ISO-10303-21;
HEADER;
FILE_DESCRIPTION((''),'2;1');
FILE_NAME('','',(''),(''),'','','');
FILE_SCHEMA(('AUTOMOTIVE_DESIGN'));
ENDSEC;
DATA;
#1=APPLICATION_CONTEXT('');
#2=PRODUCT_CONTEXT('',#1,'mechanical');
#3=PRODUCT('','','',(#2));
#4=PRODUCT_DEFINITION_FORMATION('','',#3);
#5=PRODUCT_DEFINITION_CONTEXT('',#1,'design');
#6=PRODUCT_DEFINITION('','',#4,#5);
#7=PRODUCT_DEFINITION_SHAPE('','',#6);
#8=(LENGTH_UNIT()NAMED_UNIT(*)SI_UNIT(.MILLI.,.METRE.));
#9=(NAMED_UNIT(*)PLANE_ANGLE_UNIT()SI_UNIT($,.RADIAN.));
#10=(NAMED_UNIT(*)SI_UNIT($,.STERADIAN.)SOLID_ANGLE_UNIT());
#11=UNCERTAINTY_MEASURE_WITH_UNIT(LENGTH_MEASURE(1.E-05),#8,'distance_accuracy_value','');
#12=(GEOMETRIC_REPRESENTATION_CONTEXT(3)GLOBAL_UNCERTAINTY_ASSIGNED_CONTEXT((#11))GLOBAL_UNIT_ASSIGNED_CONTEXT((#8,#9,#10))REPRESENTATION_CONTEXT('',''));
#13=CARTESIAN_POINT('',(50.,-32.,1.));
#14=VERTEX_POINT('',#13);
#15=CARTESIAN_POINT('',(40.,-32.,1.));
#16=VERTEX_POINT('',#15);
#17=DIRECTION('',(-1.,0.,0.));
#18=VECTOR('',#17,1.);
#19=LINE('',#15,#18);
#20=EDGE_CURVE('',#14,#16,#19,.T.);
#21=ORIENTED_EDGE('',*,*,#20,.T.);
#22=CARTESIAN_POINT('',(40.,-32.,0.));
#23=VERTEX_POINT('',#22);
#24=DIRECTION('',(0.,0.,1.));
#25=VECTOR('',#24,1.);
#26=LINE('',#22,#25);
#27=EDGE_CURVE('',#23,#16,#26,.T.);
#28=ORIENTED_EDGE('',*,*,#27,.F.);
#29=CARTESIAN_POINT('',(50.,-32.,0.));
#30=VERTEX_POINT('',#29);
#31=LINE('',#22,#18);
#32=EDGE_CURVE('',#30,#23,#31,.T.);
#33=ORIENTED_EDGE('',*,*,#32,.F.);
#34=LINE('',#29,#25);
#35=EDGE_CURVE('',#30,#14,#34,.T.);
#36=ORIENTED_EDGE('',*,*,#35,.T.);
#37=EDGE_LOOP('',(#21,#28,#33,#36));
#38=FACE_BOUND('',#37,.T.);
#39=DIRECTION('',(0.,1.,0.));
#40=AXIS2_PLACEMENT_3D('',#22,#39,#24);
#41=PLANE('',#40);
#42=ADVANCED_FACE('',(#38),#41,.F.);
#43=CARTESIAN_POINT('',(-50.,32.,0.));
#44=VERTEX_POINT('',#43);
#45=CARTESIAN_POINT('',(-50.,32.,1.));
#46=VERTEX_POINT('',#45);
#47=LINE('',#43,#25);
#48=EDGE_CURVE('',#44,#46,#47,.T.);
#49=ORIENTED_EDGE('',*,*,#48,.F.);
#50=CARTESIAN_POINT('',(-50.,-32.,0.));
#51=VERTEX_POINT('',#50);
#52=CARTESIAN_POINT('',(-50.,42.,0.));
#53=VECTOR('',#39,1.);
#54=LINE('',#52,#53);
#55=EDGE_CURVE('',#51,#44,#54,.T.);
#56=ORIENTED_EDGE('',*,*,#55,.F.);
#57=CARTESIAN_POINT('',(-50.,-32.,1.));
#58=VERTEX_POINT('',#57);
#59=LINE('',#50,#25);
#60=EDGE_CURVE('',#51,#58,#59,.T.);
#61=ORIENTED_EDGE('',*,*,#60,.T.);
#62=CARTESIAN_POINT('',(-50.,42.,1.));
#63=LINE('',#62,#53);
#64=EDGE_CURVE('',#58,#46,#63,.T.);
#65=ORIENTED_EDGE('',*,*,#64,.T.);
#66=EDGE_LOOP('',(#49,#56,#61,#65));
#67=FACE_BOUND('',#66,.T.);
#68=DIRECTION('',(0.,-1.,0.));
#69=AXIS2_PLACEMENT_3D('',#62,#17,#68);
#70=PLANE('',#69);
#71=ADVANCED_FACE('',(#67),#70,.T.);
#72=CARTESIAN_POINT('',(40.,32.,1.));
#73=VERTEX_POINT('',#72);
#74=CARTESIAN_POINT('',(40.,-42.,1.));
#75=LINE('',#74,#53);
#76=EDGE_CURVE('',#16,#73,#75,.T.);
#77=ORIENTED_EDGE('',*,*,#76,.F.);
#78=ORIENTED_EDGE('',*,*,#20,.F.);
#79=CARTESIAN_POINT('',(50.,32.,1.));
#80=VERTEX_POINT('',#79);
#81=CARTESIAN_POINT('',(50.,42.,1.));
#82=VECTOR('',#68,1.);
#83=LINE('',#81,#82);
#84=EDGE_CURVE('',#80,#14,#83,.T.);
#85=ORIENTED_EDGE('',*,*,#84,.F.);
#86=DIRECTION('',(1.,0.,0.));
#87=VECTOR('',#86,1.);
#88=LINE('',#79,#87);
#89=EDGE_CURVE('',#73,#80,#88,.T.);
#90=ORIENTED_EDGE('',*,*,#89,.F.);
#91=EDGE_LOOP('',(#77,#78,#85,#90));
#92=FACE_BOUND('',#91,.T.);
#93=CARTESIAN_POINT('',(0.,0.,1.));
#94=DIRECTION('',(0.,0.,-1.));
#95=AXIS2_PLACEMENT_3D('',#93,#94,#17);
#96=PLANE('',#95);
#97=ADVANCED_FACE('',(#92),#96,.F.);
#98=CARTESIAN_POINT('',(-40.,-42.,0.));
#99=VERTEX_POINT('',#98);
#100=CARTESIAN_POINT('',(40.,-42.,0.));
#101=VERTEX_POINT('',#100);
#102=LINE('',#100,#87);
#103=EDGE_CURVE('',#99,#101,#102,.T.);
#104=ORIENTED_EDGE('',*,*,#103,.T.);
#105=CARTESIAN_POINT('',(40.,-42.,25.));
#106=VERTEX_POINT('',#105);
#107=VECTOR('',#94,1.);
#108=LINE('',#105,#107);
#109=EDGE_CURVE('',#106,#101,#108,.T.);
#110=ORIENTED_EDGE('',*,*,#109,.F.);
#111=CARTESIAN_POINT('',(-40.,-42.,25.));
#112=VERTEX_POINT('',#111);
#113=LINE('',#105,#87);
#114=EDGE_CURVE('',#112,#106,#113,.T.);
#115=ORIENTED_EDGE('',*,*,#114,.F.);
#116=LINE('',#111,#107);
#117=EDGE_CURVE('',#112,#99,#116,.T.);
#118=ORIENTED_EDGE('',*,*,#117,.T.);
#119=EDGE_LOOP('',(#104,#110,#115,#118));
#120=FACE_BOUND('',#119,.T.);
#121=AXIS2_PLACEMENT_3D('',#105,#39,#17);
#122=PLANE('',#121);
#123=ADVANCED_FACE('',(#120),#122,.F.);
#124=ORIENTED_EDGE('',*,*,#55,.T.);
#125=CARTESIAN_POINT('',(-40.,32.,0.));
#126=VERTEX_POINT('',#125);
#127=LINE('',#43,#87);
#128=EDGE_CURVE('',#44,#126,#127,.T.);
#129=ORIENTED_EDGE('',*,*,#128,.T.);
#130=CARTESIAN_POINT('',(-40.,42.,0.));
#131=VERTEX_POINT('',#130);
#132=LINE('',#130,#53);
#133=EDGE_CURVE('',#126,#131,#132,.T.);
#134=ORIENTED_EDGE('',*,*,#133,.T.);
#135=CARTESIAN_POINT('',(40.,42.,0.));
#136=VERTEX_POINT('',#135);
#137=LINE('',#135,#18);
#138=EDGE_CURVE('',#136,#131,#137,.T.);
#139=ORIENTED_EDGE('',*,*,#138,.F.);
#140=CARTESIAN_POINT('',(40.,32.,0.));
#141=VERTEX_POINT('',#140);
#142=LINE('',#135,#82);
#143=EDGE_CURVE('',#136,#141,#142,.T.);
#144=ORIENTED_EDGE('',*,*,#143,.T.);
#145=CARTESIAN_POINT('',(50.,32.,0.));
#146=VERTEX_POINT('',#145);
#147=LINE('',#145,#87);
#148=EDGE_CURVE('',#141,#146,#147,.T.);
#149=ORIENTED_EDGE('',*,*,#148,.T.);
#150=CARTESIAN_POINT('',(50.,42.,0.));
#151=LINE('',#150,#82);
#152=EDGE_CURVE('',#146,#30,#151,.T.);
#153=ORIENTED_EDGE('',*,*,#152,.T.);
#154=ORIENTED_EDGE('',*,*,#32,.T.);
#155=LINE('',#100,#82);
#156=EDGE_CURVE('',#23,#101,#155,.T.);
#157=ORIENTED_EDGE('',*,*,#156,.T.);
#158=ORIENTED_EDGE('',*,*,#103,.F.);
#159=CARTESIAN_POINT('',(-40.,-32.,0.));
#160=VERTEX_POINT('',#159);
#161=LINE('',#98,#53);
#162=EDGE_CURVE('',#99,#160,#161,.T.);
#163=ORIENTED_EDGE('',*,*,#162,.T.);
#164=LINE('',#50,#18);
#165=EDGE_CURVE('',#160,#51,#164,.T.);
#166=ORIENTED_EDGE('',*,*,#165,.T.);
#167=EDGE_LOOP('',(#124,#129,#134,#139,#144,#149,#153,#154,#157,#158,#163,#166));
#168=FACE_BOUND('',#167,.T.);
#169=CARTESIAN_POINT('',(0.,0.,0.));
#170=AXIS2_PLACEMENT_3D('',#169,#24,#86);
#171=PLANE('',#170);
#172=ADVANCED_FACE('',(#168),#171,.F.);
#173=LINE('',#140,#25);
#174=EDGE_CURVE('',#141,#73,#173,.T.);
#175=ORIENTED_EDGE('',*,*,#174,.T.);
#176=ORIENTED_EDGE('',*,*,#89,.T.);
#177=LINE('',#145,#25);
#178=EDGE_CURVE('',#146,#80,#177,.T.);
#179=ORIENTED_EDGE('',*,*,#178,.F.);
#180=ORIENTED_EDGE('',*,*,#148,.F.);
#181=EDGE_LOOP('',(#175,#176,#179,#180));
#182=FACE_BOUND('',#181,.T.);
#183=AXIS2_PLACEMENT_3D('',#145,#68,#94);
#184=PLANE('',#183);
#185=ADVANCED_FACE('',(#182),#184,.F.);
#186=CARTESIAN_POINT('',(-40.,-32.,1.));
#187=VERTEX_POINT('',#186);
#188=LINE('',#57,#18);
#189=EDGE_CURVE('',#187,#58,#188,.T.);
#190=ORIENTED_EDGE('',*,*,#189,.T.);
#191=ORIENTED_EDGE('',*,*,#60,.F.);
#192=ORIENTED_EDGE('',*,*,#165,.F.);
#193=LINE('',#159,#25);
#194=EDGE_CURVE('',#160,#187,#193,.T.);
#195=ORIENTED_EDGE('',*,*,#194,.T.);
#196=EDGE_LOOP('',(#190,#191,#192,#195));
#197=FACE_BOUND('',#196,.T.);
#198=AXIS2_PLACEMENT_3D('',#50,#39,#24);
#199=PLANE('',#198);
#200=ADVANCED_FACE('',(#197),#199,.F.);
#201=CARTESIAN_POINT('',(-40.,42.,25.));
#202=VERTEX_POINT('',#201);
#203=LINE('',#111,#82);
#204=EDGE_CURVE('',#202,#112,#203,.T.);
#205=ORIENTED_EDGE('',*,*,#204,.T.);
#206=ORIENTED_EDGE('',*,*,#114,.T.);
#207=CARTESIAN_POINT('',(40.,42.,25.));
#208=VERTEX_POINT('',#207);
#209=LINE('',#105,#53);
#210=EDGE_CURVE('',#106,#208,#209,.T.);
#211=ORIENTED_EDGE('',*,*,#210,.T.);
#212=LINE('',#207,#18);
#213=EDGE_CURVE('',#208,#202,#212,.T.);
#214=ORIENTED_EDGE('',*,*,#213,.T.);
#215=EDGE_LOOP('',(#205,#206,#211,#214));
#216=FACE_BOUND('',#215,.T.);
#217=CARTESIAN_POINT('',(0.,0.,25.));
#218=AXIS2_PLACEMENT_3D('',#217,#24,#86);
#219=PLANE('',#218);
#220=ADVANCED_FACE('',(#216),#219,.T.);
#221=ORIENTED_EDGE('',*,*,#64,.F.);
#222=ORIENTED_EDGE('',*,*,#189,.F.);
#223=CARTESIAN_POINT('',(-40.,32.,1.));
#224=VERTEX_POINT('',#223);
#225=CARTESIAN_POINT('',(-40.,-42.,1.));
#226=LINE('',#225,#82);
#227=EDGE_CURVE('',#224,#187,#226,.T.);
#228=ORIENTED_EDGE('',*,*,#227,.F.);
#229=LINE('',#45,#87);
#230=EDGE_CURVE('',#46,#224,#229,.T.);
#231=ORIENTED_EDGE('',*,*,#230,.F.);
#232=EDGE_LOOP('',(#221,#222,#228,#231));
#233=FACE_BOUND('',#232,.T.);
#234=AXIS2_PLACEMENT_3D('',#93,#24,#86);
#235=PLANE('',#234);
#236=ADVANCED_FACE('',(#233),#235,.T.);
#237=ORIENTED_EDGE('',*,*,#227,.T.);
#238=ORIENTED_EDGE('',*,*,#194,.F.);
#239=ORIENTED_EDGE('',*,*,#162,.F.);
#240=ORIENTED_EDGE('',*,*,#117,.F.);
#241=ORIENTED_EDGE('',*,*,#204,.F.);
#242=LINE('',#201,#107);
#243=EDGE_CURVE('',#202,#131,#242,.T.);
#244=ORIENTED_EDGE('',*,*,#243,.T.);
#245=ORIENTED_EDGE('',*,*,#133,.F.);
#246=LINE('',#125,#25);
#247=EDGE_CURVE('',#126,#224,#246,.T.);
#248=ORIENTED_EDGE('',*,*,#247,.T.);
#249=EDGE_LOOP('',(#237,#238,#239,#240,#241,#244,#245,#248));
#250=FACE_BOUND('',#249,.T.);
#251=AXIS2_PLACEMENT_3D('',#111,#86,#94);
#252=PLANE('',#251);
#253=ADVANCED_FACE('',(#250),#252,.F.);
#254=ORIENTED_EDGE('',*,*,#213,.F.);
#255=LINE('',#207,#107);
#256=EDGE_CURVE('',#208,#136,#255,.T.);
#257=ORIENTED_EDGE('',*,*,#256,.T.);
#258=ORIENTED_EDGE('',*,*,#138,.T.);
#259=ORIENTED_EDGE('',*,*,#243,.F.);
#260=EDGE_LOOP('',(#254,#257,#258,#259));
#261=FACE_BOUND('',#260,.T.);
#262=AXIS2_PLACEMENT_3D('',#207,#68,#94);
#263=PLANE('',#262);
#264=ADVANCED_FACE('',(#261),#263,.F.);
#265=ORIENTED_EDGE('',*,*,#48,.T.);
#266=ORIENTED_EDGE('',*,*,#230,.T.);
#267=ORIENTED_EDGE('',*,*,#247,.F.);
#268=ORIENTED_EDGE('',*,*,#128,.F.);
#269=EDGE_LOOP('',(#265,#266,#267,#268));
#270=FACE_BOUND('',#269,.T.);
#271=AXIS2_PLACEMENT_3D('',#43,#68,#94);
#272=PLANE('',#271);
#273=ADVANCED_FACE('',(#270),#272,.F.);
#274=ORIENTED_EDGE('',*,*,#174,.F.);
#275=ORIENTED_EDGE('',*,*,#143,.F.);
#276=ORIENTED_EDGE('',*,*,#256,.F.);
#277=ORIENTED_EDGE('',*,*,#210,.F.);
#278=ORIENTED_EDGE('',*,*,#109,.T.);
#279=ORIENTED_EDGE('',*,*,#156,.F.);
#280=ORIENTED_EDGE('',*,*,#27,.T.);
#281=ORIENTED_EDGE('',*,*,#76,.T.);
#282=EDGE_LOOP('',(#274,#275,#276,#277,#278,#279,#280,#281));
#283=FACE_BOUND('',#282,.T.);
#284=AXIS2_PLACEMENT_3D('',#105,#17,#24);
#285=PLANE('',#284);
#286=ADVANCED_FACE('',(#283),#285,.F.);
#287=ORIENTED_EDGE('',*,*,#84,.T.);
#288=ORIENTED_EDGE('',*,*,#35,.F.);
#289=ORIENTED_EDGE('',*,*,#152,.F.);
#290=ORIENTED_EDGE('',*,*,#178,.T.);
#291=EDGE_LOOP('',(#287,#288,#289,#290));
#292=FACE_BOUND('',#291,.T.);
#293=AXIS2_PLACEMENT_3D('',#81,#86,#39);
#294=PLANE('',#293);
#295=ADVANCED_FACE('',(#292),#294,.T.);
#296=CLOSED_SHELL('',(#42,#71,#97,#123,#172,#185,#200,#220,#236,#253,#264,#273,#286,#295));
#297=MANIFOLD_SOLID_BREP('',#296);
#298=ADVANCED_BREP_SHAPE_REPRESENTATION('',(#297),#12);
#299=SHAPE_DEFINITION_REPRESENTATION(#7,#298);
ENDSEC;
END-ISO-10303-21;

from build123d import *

# Parameters (mm, degrees)
CROQUIS1_W              = 80
CROQUIS1_H              = 84
SALIENTE_EXTRUIR1_DEPTH = 25
CROQUIS4_W              = 10
CROQUIS4_H              = 84
SALIENTE_EXTRUIR3_DEPTH = 1
CROQUIS11_W             = 10
CROQUIS11_H             = 10
CORTAR_EXTRUIR1_DEPTH   = 1
CROQUIS8_W              = 10
CROQUIS8_H              = 10
CORTAR_EXTRUIR2_DEPTH   = 1


with BuildPart() as part:
    # Croquis1 → Saliente-Extruir1 (new body)
    with BuildSketch(Plane.XY):
        Rectangle(CROQUIS1_W, CROQUIS1_H)
    extrude(amount=SALIENTE_EXTRUIR1_DEPTH)

    # Croquis4 → Saliente-Extruir3 (add)
    with BuildSketch(Plane(origin=(0, 0, 0), x_dir=(-1, 0, 0), z_dir=(0, 0, -1))):
        with Locations((-45, 0)):
            Rectangle(CROQUIS4_W, CROQUIS4_H)
        with Locations((45, 0)):
            Rectangle(CROQUIS4_W, CROQUIS4_H)
    extrude(amount=-SALIENTE_EXTRUIR3_DEPTH)

    # Croquis11 → Cortar-Extruir1 (cut)
    with BuildSketch(Plane.XY.offset(1)):
        with Locations((-45, 37)):
            Rectangle(CROQUIS11_W, CROQUIS11_H)
        with Locations((-45, -37)):
            Rectangle(CROQUIS11_W, CROQUIS11_H)
    extrude(amount=-CORTAR_EXTRUIR1_DEPTH, mode=Mode.SUBTRACT)

    # Croquis8 → Cortar-Extruir2 (cut)
    with BuildSketch(Plane.XY.offset(1)):
        with Locations((45, 37)):
            Rectangle(CROQUIS8_W, CROQUIS8_H)
        with Locations((45, -37)):
            Rectangle(CROQUIS8_W, CROQUIS8_H)
    extrude(amount=-CORTAR_EXTRUIR2_DEPTH, mode=Mode.SUBTRACT)


solid = part.part
